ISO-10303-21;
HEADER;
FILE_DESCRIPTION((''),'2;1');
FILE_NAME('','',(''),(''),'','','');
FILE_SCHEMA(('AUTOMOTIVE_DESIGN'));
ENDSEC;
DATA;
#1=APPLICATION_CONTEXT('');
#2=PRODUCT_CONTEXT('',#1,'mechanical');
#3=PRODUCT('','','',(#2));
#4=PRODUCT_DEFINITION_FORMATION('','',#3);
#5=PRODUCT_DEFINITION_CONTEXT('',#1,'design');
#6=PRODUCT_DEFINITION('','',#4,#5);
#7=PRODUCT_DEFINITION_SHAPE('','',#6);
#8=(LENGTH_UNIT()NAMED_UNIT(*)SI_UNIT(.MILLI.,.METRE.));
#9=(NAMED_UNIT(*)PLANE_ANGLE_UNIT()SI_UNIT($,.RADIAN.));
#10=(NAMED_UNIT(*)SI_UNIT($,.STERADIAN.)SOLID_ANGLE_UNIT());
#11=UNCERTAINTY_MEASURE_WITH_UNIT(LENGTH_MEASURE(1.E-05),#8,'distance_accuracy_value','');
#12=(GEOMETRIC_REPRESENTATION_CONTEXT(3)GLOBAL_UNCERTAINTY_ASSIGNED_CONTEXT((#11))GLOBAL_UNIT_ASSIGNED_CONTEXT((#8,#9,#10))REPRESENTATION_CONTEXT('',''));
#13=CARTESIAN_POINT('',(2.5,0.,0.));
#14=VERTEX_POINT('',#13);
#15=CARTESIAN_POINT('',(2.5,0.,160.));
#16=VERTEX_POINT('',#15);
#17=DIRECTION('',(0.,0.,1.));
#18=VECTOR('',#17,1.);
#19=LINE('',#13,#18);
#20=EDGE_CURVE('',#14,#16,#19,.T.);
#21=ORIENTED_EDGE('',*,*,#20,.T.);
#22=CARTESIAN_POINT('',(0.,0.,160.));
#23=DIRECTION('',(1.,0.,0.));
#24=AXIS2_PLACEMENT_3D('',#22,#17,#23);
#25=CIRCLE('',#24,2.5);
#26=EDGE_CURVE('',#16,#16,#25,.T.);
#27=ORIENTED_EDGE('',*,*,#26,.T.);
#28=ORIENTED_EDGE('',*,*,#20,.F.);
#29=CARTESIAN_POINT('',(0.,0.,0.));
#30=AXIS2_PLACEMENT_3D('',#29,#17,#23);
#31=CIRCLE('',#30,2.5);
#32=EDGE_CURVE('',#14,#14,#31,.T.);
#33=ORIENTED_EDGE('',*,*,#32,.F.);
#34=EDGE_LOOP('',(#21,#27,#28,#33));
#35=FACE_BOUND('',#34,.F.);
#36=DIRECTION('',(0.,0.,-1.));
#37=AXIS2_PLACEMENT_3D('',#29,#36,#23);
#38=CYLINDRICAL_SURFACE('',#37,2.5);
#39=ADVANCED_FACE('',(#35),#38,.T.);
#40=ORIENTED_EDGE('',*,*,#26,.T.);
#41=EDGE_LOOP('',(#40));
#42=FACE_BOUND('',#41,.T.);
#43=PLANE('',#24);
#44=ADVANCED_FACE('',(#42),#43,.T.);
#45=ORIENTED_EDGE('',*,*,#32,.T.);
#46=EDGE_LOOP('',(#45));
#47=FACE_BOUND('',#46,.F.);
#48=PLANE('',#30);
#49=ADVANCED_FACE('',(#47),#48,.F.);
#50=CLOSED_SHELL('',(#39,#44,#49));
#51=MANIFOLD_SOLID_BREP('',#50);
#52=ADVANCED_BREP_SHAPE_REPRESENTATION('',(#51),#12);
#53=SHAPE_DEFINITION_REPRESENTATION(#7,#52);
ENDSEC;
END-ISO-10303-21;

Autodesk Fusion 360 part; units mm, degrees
sketch "Sketch1" plane through (0, 0, 0) normal (0, 0, 1) x (1, 0, 0)
  circle A0 centre (0, 0) radius 2.5
  dimension "d1" = 5
extrude "Extrude1" add sketch "Sketch1" along normal blind 160
